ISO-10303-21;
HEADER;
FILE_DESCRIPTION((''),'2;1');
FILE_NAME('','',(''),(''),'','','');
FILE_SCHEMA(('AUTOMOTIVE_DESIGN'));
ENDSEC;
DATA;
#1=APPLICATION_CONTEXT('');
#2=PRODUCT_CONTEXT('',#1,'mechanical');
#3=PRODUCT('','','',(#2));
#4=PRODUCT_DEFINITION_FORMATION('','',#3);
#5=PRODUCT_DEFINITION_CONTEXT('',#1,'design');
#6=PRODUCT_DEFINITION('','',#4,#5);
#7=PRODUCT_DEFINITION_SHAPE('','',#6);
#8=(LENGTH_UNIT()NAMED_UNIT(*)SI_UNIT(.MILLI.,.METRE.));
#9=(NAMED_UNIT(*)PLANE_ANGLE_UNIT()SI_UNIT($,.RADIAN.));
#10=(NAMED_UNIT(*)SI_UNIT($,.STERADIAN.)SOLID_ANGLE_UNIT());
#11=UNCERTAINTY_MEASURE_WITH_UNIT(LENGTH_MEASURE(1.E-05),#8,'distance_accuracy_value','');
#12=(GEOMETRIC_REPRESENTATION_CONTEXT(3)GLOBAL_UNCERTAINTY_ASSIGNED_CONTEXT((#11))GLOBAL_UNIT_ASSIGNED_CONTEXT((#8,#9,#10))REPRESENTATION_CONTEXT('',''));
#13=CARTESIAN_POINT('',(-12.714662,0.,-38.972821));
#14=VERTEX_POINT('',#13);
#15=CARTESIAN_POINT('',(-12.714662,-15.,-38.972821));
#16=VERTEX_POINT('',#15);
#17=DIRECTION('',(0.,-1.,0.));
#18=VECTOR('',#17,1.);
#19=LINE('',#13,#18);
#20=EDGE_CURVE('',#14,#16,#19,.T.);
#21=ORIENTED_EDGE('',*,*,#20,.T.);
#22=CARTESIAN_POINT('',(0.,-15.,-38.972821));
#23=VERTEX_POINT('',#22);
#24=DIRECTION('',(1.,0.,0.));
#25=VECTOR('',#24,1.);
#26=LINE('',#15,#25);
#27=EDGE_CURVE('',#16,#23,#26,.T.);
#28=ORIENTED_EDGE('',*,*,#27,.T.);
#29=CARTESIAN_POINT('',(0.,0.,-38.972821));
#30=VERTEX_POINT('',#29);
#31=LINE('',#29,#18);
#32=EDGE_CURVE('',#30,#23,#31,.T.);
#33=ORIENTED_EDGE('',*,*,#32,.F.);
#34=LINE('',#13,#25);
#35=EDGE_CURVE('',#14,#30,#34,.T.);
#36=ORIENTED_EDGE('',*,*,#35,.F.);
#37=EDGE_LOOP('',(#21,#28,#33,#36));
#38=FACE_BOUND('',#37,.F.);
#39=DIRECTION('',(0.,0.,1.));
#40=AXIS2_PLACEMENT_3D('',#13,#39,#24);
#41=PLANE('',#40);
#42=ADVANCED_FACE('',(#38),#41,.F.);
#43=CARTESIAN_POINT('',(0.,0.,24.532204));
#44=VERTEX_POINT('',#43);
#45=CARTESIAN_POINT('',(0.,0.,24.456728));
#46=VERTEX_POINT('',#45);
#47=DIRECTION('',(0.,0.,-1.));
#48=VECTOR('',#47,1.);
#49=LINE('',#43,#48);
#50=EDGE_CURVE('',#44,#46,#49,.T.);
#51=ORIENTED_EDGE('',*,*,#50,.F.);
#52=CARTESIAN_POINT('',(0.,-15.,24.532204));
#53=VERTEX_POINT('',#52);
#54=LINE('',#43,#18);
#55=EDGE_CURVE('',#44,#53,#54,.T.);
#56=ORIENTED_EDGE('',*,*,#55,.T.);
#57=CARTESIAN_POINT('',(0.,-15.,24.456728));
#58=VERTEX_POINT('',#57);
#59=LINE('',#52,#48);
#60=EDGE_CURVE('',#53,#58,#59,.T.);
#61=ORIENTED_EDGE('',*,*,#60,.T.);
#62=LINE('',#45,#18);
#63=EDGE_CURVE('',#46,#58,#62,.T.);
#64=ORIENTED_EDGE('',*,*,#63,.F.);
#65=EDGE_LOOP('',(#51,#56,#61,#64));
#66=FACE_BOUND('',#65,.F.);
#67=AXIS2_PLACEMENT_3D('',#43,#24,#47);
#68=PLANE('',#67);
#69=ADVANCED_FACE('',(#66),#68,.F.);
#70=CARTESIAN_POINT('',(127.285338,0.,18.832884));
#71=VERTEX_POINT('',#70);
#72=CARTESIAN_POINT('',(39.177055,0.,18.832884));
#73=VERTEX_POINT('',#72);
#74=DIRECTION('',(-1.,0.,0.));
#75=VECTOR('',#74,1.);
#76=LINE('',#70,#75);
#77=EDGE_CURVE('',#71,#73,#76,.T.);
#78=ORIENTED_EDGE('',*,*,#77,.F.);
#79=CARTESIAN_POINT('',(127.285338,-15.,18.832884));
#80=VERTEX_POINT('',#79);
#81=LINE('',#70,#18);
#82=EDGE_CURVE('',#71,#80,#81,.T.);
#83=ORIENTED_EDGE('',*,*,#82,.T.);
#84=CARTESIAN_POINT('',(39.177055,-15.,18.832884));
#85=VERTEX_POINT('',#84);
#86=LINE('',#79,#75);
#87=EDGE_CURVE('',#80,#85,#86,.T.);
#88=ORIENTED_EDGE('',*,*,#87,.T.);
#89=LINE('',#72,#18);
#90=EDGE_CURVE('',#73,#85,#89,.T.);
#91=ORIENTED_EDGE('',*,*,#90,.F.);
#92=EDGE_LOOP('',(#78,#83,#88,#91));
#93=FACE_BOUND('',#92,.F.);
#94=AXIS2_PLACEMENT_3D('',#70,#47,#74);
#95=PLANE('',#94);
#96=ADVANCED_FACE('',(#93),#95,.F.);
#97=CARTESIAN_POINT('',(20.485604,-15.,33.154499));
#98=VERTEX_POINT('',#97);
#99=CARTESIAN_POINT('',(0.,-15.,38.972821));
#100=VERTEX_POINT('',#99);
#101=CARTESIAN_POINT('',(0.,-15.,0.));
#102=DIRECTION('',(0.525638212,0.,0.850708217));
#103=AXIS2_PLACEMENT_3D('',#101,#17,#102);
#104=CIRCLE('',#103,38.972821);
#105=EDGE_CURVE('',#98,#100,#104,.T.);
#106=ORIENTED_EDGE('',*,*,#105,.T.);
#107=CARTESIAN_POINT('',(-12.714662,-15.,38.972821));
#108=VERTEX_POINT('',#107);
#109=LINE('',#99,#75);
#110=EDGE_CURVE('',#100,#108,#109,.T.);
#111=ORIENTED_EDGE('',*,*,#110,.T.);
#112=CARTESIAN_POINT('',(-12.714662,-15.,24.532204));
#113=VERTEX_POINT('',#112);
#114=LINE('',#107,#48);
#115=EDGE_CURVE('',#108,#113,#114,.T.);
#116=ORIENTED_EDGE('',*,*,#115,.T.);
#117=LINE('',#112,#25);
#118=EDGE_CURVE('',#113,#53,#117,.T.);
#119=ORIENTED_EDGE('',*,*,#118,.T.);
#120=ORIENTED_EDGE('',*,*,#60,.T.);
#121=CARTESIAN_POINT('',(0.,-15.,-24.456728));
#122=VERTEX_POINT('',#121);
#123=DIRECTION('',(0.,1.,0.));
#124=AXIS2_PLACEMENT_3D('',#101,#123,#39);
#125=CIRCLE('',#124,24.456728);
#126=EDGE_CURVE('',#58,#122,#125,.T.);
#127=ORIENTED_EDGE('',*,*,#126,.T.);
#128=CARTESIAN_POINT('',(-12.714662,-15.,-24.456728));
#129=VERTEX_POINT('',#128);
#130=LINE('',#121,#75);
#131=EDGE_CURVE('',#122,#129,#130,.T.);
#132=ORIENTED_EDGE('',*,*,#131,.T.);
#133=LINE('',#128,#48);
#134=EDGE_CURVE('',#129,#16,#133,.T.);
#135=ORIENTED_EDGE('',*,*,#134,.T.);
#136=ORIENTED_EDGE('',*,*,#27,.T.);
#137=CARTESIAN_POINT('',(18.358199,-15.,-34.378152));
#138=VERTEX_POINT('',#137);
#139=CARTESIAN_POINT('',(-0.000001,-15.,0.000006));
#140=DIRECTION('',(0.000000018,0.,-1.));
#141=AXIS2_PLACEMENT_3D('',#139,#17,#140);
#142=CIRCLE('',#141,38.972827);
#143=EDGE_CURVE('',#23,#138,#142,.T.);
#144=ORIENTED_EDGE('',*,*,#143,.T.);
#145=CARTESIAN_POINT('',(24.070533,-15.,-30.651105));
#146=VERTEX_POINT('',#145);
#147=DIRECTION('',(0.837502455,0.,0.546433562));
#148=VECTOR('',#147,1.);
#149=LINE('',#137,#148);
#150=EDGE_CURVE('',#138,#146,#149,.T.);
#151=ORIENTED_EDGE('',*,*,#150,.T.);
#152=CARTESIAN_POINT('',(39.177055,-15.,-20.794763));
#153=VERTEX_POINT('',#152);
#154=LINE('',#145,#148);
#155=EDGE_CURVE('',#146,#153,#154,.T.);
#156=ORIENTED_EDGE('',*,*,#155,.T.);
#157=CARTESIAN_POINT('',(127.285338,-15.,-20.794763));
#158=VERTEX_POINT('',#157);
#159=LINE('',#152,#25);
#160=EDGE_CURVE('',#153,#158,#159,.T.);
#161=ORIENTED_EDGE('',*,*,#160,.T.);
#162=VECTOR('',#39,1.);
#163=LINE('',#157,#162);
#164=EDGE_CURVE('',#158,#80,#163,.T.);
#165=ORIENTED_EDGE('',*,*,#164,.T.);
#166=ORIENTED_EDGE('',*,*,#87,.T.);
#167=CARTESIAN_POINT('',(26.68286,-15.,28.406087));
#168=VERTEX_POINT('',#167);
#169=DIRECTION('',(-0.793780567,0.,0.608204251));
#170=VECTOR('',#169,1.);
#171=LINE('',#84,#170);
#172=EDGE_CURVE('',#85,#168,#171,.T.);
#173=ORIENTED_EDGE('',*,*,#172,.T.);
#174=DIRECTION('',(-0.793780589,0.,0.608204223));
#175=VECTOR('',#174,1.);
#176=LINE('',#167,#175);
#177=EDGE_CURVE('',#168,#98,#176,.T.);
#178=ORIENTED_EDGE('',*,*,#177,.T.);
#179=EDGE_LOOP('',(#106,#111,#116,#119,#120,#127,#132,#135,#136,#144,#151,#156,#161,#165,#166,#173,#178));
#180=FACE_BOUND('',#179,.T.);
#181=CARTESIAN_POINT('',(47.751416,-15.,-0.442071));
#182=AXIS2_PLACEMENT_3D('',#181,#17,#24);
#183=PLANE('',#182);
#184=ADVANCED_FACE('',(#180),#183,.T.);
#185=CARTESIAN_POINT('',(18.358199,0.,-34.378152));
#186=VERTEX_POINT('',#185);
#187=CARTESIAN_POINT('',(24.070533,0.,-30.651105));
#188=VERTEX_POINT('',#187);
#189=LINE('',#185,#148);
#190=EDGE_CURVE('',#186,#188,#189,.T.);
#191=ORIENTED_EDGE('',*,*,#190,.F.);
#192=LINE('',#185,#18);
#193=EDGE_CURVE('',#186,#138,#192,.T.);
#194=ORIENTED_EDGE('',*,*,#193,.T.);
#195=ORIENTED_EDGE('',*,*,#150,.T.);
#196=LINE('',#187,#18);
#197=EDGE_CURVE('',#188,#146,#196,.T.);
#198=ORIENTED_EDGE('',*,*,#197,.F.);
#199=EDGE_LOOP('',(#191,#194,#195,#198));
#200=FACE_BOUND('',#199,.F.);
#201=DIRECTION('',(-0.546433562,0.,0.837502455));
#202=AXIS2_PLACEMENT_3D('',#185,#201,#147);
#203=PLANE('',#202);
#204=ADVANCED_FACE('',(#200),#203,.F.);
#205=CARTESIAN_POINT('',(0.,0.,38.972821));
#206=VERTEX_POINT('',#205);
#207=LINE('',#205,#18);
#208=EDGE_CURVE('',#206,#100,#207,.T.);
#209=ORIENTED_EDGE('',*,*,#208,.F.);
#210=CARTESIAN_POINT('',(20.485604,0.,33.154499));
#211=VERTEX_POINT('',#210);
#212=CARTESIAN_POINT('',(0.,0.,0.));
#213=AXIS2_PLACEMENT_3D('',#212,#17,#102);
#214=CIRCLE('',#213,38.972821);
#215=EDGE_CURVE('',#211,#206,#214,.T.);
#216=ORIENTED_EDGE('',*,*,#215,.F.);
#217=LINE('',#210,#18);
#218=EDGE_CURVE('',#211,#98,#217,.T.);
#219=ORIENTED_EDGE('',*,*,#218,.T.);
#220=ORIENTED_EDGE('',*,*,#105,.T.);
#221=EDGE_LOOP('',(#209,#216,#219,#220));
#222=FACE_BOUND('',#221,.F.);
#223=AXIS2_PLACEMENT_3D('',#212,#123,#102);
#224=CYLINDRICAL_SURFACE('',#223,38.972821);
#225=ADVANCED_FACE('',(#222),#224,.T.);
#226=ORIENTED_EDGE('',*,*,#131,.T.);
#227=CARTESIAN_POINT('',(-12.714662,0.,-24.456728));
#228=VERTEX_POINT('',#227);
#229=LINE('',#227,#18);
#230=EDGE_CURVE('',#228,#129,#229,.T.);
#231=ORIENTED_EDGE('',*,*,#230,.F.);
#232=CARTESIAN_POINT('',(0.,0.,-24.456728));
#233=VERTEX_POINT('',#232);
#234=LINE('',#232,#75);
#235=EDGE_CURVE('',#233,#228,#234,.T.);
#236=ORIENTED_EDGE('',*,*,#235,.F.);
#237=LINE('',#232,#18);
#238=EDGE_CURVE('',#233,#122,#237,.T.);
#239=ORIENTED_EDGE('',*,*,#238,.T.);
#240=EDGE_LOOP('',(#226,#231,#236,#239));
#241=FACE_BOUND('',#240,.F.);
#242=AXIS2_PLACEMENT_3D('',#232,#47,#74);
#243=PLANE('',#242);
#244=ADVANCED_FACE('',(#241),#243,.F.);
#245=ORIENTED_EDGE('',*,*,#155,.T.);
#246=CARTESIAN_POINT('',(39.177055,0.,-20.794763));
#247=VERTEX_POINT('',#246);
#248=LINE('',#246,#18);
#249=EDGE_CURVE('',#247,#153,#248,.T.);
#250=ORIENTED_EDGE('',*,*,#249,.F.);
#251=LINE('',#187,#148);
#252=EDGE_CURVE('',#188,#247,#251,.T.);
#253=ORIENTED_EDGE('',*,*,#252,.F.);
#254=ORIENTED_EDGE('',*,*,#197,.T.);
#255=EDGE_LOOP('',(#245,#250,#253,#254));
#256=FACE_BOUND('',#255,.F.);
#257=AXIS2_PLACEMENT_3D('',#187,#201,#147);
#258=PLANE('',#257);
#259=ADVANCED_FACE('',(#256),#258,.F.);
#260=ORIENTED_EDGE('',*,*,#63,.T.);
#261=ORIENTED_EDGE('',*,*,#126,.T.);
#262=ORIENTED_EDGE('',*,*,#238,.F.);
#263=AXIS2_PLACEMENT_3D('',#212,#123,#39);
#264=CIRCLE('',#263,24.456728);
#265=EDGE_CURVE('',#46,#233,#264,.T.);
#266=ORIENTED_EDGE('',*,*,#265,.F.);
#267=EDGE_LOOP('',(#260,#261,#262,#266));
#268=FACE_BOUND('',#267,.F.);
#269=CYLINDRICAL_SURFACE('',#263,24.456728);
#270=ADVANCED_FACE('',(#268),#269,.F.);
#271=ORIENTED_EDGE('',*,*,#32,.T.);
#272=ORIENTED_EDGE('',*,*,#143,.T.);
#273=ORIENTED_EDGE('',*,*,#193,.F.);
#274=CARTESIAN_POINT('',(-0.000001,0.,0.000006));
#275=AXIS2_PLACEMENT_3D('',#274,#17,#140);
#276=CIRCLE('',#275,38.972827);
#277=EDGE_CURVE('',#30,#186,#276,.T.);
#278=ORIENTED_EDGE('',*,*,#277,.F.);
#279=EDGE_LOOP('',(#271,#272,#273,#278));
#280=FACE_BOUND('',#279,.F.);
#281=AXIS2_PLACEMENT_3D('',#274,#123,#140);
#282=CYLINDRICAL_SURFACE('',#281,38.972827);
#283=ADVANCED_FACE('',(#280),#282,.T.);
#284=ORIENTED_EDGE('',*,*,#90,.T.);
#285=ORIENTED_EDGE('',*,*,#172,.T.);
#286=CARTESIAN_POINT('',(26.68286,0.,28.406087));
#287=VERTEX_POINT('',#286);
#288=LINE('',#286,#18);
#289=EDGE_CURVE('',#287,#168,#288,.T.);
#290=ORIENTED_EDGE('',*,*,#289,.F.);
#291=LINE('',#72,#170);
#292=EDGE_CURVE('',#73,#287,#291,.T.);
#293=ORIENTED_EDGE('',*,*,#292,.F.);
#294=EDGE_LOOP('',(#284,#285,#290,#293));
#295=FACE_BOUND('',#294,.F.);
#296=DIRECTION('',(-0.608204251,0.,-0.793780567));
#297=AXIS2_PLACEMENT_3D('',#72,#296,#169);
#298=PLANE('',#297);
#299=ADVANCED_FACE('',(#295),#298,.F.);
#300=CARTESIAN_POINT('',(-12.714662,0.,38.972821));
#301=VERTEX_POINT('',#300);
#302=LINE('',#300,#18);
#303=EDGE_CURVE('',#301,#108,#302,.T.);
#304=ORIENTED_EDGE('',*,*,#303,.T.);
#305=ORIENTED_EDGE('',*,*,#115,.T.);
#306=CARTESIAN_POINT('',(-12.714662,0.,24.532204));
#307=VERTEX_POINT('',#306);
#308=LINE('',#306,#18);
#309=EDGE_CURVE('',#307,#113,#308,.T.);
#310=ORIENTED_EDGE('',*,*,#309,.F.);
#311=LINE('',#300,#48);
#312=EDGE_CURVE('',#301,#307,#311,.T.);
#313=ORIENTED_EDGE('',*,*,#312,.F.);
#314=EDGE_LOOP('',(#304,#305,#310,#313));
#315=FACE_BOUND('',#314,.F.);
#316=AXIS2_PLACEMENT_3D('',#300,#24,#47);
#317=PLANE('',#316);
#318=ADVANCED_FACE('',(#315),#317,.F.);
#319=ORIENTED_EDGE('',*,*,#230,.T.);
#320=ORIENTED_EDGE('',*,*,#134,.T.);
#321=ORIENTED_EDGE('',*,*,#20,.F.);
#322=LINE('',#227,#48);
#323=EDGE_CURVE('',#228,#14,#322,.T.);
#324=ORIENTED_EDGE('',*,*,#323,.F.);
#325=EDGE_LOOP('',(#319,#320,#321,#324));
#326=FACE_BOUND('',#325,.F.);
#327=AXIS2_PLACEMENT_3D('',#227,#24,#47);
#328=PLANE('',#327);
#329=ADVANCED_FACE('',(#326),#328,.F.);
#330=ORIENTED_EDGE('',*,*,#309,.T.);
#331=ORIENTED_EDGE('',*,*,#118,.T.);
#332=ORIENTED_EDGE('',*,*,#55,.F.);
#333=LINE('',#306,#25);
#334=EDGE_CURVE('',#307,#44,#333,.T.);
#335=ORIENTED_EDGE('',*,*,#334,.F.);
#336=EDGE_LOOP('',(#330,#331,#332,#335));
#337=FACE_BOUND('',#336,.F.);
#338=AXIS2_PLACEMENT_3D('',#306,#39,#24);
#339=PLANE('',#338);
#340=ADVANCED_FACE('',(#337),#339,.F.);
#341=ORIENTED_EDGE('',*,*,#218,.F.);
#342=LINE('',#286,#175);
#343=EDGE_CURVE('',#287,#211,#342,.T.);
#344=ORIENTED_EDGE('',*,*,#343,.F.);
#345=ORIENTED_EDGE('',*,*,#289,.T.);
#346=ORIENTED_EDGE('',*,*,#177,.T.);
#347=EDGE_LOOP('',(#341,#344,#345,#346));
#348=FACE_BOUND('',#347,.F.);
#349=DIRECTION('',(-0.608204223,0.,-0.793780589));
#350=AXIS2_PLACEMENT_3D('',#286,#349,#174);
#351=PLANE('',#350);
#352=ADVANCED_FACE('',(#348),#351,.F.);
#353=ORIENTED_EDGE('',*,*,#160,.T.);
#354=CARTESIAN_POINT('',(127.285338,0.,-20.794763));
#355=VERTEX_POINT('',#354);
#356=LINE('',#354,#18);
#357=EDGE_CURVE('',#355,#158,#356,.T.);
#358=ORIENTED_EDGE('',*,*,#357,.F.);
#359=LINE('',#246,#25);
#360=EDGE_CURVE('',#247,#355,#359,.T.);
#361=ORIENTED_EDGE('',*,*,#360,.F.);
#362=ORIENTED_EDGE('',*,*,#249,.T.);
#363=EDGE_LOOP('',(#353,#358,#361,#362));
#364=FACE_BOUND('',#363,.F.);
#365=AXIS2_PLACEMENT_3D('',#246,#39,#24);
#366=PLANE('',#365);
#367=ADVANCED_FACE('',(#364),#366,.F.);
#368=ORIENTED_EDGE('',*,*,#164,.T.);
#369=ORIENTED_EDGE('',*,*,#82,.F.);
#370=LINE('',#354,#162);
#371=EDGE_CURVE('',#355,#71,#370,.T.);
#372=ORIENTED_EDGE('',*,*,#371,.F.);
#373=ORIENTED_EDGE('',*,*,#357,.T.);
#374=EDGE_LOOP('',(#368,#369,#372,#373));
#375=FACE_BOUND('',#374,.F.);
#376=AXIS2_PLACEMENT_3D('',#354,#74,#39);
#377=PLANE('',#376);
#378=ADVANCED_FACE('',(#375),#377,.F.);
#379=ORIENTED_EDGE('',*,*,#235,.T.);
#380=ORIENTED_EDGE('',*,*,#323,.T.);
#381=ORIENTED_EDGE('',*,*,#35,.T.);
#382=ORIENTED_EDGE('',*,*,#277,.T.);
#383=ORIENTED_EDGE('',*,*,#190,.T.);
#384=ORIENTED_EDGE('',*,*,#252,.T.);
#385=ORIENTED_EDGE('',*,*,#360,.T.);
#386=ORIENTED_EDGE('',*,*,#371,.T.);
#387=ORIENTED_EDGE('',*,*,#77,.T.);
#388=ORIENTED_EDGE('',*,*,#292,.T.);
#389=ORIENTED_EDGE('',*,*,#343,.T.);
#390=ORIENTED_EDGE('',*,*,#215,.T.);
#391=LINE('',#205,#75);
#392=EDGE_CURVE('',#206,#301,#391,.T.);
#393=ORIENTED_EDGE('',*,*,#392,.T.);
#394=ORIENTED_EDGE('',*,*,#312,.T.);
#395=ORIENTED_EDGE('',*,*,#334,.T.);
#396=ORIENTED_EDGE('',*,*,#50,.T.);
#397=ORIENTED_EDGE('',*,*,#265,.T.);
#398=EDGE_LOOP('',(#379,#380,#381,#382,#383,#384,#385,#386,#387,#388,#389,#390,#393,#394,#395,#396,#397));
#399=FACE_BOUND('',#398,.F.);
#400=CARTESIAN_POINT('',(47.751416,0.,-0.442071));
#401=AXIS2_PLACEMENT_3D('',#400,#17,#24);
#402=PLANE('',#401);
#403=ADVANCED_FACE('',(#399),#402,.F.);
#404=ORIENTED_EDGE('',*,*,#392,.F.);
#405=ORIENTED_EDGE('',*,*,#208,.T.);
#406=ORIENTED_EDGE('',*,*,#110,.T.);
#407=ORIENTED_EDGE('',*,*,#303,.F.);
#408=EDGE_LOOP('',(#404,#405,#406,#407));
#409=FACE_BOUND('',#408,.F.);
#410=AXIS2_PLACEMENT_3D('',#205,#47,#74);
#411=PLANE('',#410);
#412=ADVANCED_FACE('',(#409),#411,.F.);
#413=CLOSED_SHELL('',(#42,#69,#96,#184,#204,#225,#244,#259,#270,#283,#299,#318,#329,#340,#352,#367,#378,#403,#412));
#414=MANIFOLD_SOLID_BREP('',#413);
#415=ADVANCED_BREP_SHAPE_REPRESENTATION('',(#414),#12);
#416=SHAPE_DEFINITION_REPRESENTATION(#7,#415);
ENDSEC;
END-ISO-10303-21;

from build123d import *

# Parameters (mm, degrees)
F1_DEPTH = 15


with BuildPart() as f1:
    # F0 (on Front) → F1 (new body)
    with BuildSketch(Plane.XZ):
        with BuildLine():
            ThreePointArc((0, 24.456728), (24.456728, 0), (0, -24.456728))
            Line((0, -24.456728), (-12.714662, -24.456728))
            Line((-12.714662, -24.456728), (-12.714662, -38.972821))
            Line((-12.714662, -38.972821), (0, -38.972821))
            ThreePointArc((0, -38.972821), (9.46222, -37.806708), (18.358199, -34.378152))
            Line((18.358199, -34.378152), (24.070533, -30.651105))
            Line((24.070533, -30.651105), (39.177055, -20.794763))
            Line((39.177055, -20.794763), (127.285338, -20.794763))
            Line((127.285338, -20.794763), (127.285338, 18.832884))
            Line((127.285338, 18.832884), (39.177055, 18.832884))
            Line((39.177055, 18.832884), (26.68286, 28.406087))
            Line((26.68286, 28.406087), (20.485604, 33.154499))
            ThreePointArc((20.485604, 33.154499), (10.64792, 37.490033), (0, 38.972821))
            Line((0, 38.972821), (-12.714662, 38.972821))
            Line((-12.714662, 38.972821), (-12.714662, 24.532204))
            Line((-12.714662, 24.532204), (0, 24.532204))
            Line((0, 24.532204), (0, 24.456728))
        make_face()
    extrude(amount=F1_DEPTH)


solid = f1.part
